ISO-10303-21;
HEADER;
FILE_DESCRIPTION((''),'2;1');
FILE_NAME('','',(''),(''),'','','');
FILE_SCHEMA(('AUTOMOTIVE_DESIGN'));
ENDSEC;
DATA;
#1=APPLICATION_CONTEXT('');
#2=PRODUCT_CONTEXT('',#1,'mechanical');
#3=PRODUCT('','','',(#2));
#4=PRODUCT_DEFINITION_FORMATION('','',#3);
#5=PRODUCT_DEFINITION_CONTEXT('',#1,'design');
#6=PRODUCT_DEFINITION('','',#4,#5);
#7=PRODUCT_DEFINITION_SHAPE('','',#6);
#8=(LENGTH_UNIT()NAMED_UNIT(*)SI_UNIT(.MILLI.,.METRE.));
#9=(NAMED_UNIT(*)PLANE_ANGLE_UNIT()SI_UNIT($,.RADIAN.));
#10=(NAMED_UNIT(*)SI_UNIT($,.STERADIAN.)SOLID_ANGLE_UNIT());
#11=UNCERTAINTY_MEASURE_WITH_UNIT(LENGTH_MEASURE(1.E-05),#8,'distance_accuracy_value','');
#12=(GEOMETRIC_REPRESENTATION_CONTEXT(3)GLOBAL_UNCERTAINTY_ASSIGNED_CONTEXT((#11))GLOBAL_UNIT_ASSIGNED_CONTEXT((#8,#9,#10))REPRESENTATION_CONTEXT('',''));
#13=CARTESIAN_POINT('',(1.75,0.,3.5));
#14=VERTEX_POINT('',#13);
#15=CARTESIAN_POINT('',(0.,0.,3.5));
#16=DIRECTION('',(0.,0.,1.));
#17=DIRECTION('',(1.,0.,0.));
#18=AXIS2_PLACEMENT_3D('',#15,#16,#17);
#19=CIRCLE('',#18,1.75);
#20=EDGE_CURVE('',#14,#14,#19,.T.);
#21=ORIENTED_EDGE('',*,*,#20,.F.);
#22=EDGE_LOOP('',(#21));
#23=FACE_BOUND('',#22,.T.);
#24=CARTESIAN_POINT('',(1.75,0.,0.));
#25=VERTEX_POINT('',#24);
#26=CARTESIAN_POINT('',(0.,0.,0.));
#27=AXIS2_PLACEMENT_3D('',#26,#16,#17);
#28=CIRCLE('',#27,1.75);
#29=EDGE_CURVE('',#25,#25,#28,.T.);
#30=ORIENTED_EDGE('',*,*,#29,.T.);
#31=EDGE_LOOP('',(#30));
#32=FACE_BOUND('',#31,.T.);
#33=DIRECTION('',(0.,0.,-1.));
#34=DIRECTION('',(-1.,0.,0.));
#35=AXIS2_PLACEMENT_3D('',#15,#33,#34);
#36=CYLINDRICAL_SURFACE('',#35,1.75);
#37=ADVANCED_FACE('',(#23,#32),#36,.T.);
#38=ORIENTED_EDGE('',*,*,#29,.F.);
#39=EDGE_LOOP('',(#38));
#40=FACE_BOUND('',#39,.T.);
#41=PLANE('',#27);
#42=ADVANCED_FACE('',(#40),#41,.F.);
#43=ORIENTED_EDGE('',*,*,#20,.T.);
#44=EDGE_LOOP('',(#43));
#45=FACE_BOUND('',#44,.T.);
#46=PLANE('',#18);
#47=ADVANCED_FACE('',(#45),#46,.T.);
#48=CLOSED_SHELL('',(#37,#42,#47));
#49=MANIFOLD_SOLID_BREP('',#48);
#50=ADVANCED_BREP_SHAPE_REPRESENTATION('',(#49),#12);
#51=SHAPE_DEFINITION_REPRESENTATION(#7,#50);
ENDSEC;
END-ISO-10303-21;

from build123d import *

# Parameters (mm, degrees)
SKETCH1_R           = 1.75
BOSS_EXTRUDE1_DEPTH = 3.5


with BuildPart() as part:
    # Sketch1 → Boss-Extrude1 (new body)
    with BuildSketch(Plane.XY):
        Circle(SKETCH1_R)
    extrude(amount=BOSS_EXTRUDE1_DEPTH)


solid = part.part
